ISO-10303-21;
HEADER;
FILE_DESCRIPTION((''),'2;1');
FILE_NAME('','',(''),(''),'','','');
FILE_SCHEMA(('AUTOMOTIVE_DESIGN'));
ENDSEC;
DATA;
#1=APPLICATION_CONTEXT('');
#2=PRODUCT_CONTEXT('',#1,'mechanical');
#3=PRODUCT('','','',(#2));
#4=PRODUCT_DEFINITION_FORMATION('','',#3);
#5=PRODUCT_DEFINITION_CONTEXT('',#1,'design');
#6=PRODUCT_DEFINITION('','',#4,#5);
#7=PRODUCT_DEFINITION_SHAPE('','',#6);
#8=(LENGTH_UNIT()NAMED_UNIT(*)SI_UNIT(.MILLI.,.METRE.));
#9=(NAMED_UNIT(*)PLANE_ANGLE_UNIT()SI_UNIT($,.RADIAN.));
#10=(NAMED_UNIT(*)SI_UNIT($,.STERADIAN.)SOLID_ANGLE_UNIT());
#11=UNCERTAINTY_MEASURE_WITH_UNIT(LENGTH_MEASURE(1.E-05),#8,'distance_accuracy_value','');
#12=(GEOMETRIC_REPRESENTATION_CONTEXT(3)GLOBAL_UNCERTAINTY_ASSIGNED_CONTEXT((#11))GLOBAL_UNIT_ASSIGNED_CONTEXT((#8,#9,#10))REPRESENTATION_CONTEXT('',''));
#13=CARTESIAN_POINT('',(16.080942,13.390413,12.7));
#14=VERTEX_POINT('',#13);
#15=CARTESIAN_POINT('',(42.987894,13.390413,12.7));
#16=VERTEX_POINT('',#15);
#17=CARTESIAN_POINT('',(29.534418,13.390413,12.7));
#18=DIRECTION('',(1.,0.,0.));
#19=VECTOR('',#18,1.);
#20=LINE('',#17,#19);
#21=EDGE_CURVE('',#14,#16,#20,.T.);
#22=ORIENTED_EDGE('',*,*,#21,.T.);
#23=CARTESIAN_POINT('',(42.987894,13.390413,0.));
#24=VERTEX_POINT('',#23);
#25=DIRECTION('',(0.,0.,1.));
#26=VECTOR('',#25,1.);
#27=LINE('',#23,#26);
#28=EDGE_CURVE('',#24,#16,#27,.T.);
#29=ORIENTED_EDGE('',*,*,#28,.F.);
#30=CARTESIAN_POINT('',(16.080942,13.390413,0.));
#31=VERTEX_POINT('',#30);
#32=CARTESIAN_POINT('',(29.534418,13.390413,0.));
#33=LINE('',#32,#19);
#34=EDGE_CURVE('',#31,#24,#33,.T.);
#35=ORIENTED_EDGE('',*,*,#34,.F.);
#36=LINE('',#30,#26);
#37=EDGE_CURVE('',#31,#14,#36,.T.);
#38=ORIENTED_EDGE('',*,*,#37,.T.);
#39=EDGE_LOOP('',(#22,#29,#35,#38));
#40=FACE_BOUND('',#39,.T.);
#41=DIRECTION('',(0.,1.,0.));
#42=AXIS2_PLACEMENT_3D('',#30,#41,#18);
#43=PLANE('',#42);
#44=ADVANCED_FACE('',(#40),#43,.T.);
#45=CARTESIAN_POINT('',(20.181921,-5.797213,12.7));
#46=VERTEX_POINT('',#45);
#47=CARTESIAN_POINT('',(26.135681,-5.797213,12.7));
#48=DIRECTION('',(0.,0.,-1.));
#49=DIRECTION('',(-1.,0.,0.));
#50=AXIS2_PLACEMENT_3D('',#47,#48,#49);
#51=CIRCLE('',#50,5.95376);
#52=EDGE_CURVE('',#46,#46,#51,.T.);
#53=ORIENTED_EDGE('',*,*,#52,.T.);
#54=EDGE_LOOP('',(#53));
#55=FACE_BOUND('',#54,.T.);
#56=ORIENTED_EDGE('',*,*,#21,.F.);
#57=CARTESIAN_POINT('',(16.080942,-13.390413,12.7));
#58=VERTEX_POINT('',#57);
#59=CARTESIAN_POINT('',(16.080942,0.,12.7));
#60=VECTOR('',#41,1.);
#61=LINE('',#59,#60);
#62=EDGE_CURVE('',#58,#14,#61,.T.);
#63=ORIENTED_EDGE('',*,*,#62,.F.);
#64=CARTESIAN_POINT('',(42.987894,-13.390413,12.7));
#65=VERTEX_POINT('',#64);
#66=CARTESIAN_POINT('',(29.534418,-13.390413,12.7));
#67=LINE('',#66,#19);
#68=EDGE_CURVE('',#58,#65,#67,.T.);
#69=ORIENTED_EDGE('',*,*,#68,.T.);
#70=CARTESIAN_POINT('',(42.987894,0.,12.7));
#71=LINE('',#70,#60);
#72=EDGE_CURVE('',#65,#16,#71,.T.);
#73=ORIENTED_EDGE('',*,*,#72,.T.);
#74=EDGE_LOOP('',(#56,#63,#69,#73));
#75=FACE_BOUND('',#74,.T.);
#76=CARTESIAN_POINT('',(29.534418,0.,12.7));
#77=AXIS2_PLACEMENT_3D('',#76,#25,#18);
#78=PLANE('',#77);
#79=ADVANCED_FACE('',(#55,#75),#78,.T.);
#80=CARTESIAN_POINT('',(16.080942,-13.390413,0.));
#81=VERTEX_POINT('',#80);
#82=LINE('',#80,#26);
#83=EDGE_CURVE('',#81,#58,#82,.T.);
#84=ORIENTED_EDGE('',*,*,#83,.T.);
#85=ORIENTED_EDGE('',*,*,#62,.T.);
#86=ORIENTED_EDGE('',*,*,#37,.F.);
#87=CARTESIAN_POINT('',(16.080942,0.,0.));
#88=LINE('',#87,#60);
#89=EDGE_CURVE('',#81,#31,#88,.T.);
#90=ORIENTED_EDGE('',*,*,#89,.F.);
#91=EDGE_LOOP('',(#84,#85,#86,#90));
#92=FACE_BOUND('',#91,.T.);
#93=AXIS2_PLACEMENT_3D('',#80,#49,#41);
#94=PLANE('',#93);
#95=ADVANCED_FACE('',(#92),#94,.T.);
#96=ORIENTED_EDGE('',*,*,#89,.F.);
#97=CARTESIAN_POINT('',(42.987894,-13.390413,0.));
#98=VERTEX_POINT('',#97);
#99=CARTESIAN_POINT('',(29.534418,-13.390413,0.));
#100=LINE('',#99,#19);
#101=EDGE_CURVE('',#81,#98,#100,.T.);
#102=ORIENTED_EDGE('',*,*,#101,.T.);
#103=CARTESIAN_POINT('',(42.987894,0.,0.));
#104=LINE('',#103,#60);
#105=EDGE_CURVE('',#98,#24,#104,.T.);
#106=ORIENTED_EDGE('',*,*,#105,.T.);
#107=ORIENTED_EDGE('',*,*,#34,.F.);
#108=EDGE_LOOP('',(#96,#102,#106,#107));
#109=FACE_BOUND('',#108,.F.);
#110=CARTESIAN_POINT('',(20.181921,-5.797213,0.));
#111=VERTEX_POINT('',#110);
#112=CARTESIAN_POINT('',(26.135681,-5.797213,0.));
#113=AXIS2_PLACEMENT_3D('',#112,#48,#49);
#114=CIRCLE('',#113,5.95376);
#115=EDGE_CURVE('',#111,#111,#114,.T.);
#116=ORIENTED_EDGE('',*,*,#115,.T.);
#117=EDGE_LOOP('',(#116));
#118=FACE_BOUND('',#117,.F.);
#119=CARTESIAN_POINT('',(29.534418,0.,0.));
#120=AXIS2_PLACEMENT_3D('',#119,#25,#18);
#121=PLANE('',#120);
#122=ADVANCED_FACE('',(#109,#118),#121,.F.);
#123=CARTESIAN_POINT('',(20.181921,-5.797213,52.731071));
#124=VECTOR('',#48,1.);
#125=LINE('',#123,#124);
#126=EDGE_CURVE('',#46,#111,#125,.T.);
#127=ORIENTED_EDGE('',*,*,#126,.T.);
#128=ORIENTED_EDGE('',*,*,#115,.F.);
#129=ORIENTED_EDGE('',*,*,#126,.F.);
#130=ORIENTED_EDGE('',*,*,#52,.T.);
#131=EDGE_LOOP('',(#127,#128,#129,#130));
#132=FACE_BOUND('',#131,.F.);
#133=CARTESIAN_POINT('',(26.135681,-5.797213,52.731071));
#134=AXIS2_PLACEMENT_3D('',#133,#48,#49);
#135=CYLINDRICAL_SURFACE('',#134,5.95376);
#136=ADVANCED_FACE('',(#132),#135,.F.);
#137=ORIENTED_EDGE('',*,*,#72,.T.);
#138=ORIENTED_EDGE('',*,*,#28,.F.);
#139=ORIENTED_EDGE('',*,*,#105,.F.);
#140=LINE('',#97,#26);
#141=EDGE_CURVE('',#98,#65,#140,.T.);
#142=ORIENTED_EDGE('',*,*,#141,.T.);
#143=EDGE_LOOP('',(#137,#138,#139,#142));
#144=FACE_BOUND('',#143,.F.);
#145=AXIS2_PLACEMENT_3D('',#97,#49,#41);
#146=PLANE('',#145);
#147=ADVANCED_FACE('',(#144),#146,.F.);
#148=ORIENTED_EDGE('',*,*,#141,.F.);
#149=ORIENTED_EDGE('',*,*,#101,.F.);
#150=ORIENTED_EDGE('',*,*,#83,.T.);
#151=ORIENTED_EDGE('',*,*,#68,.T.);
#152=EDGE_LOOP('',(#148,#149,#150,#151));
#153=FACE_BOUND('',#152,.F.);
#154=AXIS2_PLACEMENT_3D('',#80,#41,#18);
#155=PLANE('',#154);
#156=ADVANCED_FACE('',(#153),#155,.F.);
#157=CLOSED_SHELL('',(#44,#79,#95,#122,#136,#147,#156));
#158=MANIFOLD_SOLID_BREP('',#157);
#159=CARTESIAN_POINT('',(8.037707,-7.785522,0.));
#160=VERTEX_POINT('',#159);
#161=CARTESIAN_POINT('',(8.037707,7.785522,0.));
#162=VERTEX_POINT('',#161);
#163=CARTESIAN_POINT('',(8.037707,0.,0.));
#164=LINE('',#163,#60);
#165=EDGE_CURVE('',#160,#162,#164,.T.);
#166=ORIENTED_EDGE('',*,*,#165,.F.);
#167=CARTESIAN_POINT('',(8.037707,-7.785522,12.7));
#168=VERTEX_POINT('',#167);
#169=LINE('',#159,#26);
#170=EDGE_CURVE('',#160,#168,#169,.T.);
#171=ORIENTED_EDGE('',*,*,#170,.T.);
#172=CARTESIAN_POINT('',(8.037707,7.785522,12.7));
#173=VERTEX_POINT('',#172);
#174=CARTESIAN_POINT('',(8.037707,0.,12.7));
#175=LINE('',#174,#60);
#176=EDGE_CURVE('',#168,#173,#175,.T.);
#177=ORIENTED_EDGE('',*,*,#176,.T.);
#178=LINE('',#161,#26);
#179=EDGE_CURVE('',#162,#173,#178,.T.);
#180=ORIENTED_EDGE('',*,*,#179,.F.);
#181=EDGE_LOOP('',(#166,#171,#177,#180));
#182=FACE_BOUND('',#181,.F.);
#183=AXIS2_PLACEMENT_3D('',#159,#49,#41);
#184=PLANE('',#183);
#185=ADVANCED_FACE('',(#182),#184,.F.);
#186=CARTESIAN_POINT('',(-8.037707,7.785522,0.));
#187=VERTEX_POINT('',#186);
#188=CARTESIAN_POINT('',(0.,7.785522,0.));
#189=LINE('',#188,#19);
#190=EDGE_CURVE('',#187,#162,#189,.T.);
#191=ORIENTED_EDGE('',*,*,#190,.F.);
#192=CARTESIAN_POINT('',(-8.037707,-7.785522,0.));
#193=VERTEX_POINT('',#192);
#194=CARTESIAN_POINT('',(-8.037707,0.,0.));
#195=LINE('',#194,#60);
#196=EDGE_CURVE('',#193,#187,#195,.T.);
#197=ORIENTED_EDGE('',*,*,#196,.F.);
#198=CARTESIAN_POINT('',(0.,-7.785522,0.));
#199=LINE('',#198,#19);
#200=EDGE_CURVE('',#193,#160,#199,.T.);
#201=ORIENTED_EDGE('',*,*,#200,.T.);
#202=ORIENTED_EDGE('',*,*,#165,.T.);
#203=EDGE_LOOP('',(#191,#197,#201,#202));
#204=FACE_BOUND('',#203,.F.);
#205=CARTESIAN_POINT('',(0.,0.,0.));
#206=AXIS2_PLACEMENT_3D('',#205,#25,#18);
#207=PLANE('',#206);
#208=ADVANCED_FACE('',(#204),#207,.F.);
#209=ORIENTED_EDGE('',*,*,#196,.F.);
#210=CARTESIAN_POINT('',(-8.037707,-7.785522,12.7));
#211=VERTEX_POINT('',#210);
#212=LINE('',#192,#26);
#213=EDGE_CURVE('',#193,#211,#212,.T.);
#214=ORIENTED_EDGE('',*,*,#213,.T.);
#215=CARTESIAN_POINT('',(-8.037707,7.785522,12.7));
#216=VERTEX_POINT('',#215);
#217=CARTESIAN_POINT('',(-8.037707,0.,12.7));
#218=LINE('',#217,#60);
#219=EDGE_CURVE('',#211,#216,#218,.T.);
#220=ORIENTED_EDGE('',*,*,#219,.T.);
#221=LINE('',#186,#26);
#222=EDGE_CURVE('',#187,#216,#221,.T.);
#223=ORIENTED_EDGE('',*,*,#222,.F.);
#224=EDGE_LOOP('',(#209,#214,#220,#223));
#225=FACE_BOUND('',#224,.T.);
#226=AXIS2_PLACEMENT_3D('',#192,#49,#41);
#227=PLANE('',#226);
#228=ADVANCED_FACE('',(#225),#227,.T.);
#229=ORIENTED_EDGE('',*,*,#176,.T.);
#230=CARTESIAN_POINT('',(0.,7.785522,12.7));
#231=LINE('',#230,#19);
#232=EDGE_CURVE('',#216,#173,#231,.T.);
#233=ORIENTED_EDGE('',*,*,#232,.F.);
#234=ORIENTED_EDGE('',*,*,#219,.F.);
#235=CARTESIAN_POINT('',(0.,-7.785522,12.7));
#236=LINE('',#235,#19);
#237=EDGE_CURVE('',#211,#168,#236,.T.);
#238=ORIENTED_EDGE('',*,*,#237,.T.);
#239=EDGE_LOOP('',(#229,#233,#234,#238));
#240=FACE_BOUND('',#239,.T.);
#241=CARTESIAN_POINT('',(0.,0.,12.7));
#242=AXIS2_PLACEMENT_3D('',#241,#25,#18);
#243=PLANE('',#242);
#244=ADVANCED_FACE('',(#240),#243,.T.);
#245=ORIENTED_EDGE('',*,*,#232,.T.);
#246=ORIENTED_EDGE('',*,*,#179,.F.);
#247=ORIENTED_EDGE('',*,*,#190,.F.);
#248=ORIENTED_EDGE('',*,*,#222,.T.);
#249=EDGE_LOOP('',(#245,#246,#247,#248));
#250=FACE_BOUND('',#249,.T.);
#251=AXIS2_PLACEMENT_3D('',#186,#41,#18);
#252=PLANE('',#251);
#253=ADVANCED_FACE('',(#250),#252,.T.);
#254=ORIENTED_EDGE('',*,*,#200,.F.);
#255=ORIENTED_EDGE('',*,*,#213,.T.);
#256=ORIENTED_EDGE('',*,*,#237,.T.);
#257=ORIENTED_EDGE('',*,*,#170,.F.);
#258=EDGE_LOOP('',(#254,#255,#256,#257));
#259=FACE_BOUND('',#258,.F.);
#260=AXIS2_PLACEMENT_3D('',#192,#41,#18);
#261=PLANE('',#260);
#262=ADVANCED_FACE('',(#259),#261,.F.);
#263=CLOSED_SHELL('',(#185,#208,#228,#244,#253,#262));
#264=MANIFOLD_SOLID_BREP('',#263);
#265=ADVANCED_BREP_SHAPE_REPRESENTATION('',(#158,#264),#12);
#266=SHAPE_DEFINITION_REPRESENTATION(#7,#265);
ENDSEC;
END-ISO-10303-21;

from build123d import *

# Parameters (mm, degrees)
F0_W     = 16.0754136741
F0_H     = 15.571044758
F1_DEPTH = 12.7
F2_W     = 26.9069522619
F2_H     = 26.7808251083
F3_DEPTH = 12.7
F5_D     = 11.90752


with BuildPart() as f1:
    # F0 (on Top) → F1 (new body)
    with BuildSketch(Plane.XY):
        Rectangle(F0_W, F0_H)
    extrude(amount=F1_DEPTH)


with BuildPart() as f3:
    # F2 (on Top) → F3 (new body)
    with BuildSketch(Plane.XY):
        with Locations((29.5344181359, 0)):
            Rectangle(F2_W, F2_H)
    extrude(amount=F3_DEPTH)

    # F5 (through all)
    with Locations(Plane.XY.offset(12.7)):
        with Locations((26.135681197, -5.7972129434)):
            Hole(F5_D / 2)


solid = Compound([f1.part, f3.part])
